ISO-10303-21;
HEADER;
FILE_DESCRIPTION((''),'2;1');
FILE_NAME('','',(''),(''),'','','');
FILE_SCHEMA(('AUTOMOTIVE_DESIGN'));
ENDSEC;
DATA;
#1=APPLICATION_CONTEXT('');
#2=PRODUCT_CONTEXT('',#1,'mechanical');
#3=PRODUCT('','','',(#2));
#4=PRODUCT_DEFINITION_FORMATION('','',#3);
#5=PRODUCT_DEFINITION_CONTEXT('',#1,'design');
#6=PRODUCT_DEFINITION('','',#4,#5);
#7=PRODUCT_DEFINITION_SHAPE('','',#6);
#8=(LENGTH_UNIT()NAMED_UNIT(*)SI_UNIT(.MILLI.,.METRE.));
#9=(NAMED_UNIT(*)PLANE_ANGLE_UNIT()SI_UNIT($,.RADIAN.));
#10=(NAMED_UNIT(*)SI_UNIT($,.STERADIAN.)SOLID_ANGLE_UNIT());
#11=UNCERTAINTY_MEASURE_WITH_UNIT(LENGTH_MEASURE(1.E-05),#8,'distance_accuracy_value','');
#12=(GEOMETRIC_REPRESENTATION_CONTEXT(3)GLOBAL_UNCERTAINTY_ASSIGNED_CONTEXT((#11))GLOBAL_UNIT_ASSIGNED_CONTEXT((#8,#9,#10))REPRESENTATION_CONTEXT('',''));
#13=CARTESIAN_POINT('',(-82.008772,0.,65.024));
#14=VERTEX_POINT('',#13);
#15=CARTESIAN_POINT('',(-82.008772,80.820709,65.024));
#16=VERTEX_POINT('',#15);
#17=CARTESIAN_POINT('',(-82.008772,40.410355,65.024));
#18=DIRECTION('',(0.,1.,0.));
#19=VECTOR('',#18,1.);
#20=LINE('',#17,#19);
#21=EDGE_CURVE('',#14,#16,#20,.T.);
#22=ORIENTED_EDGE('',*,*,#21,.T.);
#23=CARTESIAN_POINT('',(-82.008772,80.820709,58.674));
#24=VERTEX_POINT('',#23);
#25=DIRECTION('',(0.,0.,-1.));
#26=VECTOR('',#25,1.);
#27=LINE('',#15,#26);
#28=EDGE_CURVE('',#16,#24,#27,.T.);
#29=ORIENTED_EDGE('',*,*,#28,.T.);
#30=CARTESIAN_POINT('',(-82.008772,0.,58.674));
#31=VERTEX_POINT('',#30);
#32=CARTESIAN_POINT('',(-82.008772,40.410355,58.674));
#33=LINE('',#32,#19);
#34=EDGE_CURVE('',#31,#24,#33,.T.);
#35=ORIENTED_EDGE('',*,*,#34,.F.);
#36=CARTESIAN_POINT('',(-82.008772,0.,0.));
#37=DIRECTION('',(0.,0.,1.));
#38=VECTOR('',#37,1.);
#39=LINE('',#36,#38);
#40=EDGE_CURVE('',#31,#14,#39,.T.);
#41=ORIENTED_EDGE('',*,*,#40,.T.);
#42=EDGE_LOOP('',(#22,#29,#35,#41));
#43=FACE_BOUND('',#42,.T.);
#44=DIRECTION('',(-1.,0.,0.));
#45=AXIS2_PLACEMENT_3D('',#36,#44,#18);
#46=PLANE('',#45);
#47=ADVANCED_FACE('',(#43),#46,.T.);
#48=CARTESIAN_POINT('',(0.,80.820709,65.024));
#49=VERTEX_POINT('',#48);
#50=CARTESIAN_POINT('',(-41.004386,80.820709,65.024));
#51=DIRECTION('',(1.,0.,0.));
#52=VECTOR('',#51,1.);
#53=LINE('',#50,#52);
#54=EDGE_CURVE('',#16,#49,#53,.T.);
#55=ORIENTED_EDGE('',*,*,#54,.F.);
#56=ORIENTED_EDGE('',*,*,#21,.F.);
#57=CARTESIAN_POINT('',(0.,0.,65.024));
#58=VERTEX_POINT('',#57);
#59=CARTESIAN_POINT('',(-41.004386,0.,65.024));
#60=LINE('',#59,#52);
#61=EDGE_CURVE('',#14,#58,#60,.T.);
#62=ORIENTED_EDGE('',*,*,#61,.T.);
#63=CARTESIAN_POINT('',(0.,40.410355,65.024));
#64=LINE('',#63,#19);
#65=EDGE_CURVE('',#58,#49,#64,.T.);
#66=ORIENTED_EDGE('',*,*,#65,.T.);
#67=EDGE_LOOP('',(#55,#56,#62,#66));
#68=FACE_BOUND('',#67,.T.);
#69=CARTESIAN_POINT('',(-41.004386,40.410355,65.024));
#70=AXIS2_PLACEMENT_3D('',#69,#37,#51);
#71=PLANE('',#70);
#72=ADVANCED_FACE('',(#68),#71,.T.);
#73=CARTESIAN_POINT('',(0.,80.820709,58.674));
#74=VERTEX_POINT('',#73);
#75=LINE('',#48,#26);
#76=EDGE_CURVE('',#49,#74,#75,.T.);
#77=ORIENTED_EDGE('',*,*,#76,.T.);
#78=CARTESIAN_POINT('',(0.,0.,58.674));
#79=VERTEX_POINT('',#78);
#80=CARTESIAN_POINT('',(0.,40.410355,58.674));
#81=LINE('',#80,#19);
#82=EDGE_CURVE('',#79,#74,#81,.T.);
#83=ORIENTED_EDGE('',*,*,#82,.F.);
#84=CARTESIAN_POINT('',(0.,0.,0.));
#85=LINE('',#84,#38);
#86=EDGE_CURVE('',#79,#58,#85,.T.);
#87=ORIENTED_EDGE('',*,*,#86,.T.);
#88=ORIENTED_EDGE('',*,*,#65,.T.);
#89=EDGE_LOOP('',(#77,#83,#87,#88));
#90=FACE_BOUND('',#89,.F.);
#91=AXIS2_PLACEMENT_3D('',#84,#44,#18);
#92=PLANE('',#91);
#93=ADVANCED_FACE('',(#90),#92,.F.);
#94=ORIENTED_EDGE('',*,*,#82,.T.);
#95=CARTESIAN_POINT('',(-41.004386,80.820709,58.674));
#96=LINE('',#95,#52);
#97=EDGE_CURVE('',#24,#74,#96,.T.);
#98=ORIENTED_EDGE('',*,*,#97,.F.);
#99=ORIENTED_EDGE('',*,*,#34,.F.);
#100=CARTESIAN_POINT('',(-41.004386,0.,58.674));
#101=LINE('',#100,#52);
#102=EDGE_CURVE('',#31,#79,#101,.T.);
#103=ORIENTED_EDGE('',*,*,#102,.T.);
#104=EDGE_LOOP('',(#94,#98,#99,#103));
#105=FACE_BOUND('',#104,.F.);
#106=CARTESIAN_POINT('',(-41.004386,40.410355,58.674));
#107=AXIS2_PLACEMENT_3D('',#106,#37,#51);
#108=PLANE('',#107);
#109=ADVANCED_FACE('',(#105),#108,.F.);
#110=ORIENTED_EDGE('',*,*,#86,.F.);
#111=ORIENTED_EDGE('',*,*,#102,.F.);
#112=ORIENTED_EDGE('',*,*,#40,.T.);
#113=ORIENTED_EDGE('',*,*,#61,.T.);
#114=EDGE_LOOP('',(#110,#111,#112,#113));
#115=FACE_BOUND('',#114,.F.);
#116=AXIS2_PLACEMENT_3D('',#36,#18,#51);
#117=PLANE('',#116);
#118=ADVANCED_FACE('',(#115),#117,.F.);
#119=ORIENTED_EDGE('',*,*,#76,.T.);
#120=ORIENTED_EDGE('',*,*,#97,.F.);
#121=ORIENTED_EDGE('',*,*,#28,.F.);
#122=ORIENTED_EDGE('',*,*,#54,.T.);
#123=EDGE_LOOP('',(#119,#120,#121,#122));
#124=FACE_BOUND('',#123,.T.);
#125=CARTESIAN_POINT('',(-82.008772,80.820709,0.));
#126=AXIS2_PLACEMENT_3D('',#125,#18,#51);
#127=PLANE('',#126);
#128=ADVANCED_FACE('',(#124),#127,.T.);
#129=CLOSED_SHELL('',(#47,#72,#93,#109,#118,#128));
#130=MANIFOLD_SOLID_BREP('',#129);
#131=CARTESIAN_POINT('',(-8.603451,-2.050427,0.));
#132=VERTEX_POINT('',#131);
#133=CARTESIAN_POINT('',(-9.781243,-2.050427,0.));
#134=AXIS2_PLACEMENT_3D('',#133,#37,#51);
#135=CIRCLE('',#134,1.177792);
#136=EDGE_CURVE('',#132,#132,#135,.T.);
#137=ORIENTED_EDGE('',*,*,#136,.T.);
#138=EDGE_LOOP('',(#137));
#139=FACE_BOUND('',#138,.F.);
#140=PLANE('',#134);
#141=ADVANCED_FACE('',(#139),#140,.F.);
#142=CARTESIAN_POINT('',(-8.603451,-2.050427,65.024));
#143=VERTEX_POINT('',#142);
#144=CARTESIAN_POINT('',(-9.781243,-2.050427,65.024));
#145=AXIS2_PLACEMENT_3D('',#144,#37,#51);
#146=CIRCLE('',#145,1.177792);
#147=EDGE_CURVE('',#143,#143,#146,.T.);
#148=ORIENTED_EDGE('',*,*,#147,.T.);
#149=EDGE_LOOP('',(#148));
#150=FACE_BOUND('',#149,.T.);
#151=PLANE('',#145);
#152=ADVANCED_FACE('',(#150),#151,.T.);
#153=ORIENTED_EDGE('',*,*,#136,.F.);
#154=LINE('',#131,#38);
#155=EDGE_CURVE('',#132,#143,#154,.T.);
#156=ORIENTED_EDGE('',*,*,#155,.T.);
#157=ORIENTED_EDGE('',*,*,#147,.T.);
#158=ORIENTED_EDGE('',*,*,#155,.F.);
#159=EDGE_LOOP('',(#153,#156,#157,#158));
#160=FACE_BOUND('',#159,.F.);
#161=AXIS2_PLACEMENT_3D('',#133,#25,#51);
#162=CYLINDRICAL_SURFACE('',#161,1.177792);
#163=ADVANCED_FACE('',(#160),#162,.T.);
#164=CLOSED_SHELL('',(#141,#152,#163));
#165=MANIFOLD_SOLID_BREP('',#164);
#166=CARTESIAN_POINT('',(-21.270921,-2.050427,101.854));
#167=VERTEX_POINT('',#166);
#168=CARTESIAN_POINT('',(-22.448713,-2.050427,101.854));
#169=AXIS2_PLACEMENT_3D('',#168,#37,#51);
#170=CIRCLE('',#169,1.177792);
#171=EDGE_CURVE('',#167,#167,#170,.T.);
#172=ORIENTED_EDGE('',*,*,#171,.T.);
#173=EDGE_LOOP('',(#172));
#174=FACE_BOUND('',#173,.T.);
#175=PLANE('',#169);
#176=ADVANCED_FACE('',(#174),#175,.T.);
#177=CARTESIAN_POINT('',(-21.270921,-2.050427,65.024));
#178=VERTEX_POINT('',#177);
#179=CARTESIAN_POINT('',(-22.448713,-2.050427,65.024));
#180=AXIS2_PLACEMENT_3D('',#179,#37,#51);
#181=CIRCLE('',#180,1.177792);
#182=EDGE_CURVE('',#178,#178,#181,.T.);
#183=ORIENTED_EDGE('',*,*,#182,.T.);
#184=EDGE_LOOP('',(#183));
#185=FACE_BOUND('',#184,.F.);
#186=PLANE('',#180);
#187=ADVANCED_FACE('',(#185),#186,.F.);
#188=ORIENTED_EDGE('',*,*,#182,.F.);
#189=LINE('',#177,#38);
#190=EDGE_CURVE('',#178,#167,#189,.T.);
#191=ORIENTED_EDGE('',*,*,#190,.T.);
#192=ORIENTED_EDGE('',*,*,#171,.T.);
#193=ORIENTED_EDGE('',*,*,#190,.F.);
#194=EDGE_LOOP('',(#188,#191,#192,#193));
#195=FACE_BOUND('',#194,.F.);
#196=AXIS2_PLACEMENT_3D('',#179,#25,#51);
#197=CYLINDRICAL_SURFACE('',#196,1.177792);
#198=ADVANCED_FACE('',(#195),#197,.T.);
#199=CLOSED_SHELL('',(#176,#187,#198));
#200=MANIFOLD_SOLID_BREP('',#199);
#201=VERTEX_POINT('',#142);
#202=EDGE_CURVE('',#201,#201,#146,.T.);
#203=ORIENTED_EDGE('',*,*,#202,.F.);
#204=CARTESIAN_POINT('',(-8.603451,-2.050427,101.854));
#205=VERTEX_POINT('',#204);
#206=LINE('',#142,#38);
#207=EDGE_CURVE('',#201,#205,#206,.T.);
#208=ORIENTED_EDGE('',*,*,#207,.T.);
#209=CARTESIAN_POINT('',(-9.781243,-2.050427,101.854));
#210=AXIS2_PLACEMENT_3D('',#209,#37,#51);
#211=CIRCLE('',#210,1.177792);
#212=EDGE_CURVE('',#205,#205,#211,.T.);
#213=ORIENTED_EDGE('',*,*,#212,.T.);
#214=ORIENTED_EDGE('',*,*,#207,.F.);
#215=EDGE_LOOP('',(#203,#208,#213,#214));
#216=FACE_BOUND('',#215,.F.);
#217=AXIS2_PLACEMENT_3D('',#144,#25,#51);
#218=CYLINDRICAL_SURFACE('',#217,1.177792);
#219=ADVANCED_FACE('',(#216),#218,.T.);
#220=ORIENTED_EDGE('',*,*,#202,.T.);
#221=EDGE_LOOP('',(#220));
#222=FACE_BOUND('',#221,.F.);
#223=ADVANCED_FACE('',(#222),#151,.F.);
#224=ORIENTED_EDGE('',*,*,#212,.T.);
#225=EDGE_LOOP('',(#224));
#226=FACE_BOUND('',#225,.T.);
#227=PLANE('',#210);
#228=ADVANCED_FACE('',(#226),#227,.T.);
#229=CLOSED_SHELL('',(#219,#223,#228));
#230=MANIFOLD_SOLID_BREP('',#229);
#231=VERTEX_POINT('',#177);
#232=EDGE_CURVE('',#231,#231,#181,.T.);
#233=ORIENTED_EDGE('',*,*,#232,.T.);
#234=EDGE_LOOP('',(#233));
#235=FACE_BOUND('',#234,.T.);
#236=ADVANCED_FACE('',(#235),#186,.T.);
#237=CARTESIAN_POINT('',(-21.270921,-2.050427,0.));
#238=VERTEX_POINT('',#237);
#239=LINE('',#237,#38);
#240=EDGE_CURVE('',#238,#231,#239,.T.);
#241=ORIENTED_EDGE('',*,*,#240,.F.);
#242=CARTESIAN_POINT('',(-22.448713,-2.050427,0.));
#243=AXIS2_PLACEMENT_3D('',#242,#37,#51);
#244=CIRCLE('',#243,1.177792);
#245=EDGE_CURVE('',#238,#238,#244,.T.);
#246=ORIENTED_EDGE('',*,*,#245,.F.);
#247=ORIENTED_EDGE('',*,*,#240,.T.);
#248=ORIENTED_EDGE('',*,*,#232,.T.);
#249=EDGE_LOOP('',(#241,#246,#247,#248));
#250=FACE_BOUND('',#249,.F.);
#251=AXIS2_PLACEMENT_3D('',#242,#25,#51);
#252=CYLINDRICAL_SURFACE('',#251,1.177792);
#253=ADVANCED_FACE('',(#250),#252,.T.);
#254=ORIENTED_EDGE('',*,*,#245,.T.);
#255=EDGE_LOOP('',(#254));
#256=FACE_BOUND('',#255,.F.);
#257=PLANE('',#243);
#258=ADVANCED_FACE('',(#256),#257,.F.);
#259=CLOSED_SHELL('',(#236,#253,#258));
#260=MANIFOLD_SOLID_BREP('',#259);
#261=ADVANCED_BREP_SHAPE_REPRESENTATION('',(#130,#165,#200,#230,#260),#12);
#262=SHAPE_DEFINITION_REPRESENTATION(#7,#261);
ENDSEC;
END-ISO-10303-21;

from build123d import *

# Parameters (mm, degrees)
F0_W     = 82.0087715983
F0_H     = 80.8207094669
F2_DEPTH = 65.024
F1_R     = 1.1777920209
F3_DEPTH = 56.642
F4_DEPTH = 58.674
F5_DEPTH = 36.83


with BuildPart() as f2:
    # F0 (on Top) → F2 (new body)
    with BuildSketch(Plane.XY):
        with Locations((-41.0043857992, 40.4103547335)):
            Rectangle(F0_W, F0_H)
    extrude(amount=F2_DEPTH)

    # F3 (add): a face of the model
    f3_faces = [f2.faces().sort_by_distance(p)[0] for p in [
        (-41.0043857992, 40.4103547335, 0),
    ]]
    extrude(f3_faces, amount=-F3_DEPTH)

    # F4 (cut): a face of the model
    f4_faces = [f2.faces().sort_by_distance(p)[0] for p in [
        (-41.0043857992, 40.4103547335, 0),
    ]]
    extrude(f4_faces, amount=-F4_DEPTH, mode=Mode.SUBTRACT)


with BuildPart() as f2b:
    # F1 (on face) → F2, piece 2 (new body)
    with BuildSketch(Plane.XY):
        with Locations((-9.7812432796, -2.0504272543)):
            Circle(F1_R)
    extrude(amount=F2_DEPTH)


with BuildPart() as f2c:
    # F1 (on face) → F2, piece 3 (new body)
    with BuildSketch(Plane.XY):
        with Locations((-22.4487129599, -2.0504272543)):
            Circle(F1_R)
    extrude(amount=F2_DEPTH)


with BuildPart() as f5:
    # F5 (new): a face of the model
    f5_faces = [f2c.part.faces().sort_by_distance(p)[0] for p in [
        (-22.4487129599, -2.0504272543, 65.024),
    ]]
    extrude(f5_faces, amount=F5_DEPTH)


with BuildPart() as f5b:
    # F5#2 (new): a face of the model
    f5_2_faces = [f2b.part.faces().sort_by_distance(p)[0] for p in [
        (-9.7812432796, -2.0504272543, 65.024),
    ]]
    extrude(f5_2_faces, amount=F5_DEPTH)


solid = Compound([f2.part, f2b.part, f2c.part, f5.part, f5b.part])
